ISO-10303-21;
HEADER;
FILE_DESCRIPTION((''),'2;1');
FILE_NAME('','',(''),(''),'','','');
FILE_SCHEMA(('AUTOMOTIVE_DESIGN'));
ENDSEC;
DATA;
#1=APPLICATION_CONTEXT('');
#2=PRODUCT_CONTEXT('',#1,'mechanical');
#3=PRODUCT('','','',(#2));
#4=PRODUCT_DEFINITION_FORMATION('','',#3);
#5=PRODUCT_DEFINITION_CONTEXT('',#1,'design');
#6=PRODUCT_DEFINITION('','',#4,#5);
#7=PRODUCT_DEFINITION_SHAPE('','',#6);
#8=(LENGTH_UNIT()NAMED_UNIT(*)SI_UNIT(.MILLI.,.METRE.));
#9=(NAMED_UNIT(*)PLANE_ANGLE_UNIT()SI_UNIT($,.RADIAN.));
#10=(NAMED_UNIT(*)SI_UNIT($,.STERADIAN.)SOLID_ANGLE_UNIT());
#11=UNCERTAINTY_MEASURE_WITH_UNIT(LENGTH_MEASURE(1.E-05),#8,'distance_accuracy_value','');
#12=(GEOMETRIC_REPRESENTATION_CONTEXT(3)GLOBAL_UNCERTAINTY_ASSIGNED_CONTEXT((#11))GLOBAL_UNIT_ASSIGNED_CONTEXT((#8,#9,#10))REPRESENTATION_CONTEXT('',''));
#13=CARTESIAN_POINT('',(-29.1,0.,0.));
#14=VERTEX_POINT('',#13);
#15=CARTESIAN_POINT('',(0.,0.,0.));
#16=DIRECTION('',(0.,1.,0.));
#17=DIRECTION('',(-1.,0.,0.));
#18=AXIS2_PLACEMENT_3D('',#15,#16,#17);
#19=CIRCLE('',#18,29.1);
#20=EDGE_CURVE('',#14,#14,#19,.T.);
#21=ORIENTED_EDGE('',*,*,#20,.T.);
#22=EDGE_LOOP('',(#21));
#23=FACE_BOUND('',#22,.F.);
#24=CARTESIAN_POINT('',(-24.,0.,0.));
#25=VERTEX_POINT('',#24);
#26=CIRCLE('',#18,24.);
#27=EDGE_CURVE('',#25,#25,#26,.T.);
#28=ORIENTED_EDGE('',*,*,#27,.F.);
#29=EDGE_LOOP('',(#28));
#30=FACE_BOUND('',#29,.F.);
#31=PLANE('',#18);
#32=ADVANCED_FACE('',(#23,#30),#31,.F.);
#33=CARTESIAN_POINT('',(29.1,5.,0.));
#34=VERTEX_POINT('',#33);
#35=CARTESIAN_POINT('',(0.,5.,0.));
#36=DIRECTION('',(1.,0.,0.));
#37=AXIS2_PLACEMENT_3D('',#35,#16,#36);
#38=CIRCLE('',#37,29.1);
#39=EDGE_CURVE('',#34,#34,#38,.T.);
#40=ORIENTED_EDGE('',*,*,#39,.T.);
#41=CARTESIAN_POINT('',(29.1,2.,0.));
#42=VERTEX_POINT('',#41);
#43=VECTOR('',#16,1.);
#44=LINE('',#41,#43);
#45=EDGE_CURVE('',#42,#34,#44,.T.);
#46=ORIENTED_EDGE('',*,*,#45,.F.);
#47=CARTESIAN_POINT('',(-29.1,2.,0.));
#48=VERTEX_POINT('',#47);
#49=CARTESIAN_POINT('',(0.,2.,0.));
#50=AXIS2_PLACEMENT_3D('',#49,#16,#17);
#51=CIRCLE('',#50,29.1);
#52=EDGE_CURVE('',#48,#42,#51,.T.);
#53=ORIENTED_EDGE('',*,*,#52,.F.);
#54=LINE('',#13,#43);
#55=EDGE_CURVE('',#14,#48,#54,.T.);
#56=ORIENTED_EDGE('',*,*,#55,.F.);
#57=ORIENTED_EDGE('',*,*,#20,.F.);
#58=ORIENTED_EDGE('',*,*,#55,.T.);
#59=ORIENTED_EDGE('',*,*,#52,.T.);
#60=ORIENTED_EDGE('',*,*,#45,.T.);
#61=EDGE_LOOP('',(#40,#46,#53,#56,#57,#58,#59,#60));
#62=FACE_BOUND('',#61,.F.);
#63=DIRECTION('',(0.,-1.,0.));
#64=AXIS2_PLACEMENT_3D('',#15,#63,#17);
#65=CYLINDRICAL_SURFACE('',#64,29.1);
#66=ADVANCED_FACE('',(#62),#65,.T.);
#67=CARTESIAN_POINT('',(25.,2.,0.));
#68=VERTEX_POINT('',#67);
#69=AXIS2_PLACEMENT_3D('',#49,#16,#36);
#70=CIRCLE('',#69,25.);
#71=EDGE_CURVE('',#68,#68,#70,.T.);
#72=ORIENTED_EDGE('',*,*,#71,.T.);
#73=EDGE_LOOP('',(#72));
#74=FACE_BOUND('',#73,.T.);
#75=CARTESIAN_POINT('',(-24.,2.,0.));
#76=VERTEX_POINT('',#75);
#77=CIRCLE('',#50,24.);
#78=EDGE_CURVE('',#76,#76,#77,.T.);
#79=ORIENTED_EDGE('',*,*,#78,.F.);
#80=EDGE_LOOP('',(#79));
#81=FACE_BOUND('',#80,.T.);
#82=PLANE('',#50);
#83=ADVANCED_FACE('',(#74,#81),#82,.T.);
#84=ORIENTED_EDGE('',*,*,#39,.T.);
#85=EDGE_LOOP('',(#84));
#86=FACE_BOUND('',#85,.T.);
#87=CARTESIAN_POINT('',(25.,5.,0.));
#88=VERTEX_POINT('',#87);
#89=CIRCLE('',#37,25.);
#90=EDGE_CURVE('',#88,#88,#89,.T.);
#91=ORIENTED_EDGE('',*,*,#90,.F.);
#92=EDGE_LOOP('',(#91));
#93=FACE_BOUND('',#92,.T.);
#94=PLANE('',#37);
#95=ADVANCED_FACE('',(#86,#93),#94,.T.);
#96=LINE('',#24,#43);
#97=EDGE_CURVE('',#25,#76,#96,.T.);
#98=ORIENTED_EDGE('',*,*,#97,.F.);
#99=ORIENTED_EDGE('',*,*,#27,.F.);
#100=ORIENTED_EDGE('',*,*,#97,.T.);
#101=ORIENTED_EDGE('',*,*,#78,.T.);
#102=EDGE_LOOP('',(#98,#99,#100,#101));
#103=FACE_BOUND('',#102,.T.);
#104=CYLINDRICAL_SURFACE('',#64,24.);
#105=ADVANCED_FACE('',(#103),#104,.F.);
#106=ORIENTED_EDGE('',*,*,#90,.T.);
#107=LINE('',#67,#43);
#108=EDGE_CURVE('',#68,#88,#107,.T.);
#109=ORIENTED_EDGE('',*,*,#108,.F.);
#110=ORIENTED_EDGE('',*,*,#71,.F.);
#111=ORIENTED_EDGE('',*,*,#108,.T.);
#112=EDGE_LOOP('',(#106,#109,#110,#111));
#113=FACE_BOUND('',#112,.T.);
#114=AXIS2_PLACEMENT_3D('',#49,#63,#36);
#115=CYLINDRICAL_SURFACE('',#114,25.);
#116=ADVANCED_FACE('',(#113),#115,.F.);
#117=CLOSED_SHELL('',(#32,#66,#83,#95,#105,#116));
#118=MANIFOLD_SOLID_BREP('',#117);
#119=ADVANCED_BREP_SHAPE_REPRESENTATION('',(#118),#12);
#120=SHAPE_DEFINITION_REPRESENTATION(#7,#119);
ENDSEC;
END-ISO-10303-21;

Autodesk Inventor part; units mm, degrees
ref_plane "XY Plane" through (0, 0, 0) normal (0, 0, 1) x (1, 0, 0)
sketch "Sketch14" plane through (0, 0, 0) normal (0, 1, 0) x (-1, 0, 0)
  circle A0 centre (0, 0) radius 24
  circle A1 centre (0, 0) radius 29.1
  dimension "d122" = 48
  dimension "d123" = 58.2
extrude "Extrusion3" add sketch "Sketch14" along normal blind 2
ref_plane "Work Plane1" through (0, 4.1, 0) normal (0, 1, 0) x (-1, 0, 0)
ref_plane "Work Plane2" through (29.5, 0, 0) normal (1, 0, 0) x (0, 1, 0)
ref_plane "Work Plane3" through (-29.5, 0, 0) normal (1, 0, 0) x (0, 1, 0)
sketch "Sketch22" plane through (0, 2, 0) normal (0, 1, 0) x (1, 0, 0)
  circle A0 centre (0, 0) radius 29.1
  circle A1 centre (0, 0) radius 25
  dimension "d188" = 58.2
  dimension "d189" = 50
extrude "Extrusion7" add sketch "Sketch22" along normal blind 3
properties part number "Cap"
